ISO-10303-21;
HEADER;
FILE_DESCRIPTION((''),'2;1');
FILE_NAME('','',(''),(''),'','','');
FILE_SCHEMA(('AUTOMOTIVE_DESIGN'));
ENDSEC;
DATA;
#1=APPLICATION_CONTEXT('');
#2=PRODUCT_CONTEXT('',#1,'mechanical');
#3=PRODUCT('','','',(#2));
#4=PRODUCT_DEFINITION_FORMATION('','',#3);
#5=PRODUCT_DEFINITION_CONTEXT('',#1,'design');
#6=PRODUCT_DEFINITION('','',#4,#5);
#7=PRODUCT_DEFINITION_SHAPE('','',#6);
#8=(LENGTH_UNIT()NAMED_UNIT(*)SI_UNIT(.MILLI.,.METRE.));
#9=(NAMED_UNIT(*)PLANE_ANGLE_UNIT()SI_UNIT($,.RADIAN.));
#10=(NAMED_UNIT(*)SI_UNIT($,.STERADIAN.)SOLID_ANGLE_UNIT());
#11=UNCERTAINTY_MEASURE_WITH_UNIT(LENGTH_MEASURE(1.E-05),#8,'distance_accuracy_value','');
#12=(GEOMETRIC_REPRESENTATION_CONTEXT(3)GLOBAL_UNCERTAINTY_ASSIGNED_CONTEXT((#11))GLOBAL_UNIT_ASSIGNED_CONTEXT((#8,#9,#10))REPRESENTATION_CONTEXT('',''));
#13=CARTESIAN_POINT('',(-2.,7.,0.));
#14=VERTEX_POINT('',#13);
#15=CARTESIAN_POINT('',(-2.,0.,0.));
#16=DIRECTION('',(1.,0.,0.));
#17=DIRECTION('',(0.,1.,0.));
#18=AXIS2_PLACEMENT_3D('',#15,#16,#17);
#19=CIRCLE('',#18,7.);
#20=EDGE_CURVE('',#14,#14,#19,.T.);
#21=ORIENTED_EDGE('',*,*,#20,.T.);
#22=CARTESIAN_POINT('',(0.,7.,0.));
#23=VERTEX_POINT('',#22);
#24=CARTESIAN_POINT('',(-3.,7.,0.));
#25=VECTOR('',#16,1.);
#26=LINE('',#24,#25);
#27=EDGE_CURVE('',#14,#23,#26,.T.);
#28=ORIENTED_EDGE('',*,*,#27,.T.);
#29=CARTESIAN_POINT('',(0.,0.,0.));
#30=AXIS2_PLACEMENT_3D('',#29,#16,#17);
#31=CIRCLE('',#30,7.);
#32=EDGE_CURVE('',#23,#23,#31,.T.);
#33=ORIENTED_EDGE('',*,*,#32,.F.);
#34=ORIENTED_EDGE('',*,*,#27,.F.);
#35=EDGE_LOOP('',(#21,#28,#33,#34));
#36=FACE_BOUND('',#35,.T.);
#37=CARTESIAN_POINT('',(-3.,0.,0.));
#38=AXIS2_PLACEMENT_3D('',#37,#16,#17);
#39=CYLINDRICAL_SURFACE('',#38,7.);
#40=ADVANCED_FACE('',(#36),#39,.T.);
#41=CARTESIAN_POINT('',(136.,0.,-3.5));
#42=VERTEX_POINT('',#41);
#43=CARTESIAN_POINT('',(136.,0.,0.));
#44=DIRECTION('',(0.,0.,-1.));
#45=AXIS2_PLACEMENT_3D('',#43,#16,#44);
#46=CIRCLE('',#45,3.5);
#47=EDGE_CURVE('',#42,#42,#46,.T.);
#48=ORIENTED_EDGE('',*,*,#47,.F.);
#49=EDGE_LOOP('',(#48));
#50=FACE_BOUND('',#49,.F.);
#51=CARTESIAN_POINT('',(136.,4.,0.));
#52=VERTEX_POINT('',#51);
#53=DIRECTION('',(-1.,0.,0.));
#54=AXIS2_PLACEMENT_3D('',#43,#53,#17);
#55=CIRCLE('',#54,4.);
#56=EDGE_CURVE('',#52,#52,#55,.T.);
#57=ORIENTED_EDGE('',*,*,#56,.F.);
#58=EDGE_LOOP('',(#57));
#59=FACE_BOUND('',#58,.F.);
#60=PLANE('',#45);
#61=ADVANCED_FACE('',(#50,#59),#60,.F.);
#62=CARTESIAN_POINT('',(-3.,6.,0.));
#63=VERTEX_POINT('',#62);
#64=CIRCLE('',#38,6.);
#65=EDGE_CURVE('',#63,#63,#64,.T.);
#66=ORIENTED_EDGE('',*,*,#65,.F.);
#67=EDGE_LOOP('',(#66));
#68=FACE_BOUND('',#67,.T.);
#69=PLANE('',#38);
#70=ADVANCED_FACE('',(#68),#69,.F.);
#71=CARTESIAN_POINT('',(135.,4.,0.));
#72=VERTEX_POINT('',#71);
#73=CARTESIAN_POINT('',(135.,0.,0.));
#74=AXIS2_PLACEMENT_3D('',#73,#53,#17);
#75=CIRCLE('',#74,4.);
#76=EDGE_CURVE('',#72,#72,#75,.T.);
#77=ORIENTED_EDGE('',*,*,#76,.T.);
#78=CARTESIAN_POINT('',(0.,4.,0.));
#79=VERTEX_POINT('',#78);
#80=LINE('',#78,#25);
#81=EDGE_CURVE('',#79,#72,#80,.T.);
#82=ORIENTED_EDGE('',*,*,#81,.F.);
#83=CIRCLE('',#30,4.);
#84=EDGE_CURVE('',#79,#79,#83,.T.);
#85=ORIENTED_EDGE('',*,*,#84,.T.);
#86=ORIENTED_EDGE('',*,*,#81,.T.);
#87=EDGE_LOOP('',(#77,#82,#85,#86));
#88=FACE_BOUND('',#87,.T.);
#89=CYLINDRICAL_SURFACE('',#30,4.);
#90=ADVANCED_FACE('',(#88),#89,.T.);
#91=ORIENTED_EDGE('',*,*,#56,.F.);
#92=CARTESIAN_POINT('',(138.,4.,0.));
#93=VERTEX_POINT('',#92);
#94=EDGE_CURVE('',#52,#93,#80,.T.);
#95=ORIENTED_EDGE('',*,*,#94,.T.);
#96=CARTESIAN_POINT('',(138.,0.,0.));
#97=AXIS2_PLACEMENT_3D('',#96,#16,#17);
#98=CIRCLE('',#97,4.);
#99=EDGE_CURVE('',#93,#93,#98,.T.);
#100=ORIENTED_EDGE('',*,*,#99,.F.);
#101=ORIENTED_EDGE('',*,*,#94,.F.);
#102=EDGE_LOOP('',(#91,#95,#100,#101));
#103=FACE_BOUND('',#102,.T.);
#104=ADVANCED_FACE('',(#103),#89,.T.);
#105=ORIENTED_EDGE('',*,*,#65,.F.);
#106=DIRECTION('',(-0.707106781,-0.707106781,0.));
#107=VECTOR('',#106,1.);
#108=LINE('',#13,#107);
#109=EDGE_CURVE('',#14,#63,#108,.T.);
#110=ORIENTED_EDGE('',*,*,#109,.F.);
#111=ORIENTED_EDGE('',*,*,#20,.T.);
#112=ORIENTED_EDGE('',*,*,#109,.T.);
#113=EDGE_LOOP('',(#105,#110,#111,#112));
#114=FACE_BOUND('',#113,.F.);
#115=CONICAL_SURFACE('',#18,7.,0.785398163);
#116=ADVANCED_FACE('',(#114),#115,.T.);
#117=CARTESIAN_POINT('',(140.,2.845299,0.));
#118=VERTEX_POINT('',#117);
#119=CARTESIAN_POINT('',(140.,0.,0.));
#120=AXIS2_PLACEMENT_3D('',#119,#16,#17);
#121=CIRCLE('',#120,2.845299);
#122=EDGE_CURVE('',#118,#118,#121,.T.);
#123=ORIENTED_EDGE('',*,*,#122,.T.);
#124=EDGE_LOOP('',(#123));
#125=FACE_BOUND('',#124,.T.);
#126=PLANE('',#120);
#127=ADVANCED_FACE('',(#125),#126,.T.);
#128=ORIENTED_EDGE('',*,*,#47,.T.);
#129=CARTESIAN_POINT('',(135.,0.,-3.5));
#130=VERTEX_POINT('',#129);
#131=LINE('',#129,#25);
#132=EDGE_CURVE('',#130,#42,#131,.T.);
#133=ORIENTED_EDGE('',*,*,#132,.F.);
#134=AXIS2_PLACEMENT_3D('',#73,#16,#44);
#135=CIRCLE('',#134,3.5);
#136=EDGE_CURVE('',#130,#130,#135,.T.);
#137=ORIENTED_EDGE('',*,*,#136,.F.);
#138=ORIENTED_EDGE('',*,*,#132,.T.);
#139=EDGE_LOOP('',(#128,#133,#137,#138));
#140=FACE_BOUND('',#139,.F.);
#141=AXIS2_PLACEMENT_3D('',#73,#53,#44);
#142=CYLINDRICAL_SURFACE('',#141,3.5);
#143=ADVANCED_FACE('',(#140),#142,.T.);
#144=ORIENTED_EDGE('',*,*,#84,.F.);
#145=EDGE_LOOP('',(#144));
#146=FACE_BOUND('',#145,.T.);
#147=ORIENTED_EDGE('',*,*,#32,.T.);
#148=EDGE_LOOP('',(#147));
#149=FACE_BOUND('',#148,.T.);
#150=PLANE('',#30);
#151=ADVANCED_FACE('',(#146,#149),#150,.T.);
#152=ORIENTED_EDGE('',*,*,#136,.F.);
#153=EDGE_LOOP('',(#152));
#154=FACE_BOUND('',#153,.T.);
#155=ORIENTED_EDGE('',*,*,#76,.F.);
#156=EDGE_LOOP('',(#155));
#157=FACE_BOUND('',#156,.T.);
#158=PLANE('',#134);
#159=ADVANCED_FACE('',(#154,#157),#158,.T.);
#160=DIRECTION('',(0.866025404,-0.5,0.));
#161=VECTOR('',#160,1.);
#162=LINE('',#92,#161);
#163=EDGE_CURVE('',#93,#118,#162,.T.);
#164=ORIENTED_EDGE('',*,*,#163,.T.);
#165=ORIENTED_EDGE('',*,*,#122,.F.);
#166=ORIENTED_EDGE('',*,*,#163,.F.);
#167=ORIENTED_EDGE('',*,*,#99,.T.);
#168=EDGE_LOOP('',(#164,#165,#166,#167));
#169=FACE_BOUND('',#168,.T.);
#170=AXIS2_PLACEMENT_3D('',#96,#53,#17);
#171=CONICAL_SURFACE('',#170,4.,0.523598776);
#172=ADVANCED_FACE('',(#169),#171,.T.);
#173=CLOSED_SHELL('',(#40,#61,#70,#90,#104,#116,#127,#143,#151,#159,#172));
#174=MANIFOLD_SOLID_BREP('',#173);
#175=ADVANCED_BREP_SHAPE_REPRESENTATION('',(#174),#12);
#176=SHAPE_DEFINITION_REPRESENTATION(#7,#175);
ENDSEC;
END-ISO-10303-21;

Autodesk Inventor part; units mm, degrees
ref_plane "YZ Plane" through (0, 0, 0) normal (1, 0, 0) x (0, 1, 0)
ref_plane "XZ Plane" through (0, 0, 0) normal (0, 1, 0) x (-1, 0, 0)
ref_plane "XY Plane" through (0, 0, 0) normal (0, 0, 1) x (1, 0, 0)
sketch "Szkic1" plane through (0, 0, 0) normal (0, 0, 1) x (1, 0, 0)
  line L0 (-3, 0) -> (-3, 7)
  line L1 (-3, 7) -> (0, 7)
  line L2 (0, 7) -> (0, 4)
  line L3 (0, 4) -> (140, 4)
  line L4 (140, 4) -> (140, 0)
  line L5 (-3, 0) -> (140, 0)
  line L6 (-31.6, 0) -> (168.6, 0) projected
  line L7 (0, -1.4) -> (0, 8.4) projected
  dimension "d0" = 3
  dimension "d1" = 140
  dimension "d2" = 8
  dimension "d3" = 14
revolve "Bryła" add sketch "Szkic1" angle 360 about axis through (-3, 0, 0) along (1, 0, 0)
chamfer "Faza1" distance 2 angle 30 1 edges at (140, -4, 0) measured on face at (46.6667, 3.987, -0.3219)
chamfer "Faza2" distance 1 angle 45 1 edges at (-3, -7, 0) measured on face at (-2, 6.9773, -0.5633)
ref_plane "Płaszczyzna konstrukcyjna1" through (135, 0, 0) normal (1, 0, 0) x (0, 0, -1)
sketch "Szkic2" plane through (135, 0, 0) normal (1, 0, 0) x (0, 0, -1)
  circle A0 centre (0, 0) radius 2.8453 projected
  circle A1 centre (0, 0) radius 4
  circle A2 centre (0, 0) radius 4 projected
  circle A3 centre (0, 0) radius 3.5
  point P0 (0, 0)
  dimension "d16" = 7
extrude "Wyciągnięcie proste1" cut sketch "Szkic2" along normal blind 1 contours A1
equation "\"d0\" = KOH"
equation "\"d2\" = NND"
equation "\"d3\" = KOD"
equation "\"d7\" = PHH1"
equation "\"d8\" = FAWI1"
equation "\"d12\" = PHH1"
equation "\"d4\" = PHH2"
equation "\"d6\" = FAWI2"
equation "\"d13\" = PHH2"
equation "\"KOH\" = 3"
equation "\"KOD\" = 14"
equation "\"NND\" = 8"
equation "\"FAWI1\" = 30deg"
equation "\"FAWI2\" = 45deg"
equation "\"PHH2\" = 1"
equation "\"PHH1\" = 2"
properties part number "ISO 2341 - A - 8 x 70" material "Stal"
